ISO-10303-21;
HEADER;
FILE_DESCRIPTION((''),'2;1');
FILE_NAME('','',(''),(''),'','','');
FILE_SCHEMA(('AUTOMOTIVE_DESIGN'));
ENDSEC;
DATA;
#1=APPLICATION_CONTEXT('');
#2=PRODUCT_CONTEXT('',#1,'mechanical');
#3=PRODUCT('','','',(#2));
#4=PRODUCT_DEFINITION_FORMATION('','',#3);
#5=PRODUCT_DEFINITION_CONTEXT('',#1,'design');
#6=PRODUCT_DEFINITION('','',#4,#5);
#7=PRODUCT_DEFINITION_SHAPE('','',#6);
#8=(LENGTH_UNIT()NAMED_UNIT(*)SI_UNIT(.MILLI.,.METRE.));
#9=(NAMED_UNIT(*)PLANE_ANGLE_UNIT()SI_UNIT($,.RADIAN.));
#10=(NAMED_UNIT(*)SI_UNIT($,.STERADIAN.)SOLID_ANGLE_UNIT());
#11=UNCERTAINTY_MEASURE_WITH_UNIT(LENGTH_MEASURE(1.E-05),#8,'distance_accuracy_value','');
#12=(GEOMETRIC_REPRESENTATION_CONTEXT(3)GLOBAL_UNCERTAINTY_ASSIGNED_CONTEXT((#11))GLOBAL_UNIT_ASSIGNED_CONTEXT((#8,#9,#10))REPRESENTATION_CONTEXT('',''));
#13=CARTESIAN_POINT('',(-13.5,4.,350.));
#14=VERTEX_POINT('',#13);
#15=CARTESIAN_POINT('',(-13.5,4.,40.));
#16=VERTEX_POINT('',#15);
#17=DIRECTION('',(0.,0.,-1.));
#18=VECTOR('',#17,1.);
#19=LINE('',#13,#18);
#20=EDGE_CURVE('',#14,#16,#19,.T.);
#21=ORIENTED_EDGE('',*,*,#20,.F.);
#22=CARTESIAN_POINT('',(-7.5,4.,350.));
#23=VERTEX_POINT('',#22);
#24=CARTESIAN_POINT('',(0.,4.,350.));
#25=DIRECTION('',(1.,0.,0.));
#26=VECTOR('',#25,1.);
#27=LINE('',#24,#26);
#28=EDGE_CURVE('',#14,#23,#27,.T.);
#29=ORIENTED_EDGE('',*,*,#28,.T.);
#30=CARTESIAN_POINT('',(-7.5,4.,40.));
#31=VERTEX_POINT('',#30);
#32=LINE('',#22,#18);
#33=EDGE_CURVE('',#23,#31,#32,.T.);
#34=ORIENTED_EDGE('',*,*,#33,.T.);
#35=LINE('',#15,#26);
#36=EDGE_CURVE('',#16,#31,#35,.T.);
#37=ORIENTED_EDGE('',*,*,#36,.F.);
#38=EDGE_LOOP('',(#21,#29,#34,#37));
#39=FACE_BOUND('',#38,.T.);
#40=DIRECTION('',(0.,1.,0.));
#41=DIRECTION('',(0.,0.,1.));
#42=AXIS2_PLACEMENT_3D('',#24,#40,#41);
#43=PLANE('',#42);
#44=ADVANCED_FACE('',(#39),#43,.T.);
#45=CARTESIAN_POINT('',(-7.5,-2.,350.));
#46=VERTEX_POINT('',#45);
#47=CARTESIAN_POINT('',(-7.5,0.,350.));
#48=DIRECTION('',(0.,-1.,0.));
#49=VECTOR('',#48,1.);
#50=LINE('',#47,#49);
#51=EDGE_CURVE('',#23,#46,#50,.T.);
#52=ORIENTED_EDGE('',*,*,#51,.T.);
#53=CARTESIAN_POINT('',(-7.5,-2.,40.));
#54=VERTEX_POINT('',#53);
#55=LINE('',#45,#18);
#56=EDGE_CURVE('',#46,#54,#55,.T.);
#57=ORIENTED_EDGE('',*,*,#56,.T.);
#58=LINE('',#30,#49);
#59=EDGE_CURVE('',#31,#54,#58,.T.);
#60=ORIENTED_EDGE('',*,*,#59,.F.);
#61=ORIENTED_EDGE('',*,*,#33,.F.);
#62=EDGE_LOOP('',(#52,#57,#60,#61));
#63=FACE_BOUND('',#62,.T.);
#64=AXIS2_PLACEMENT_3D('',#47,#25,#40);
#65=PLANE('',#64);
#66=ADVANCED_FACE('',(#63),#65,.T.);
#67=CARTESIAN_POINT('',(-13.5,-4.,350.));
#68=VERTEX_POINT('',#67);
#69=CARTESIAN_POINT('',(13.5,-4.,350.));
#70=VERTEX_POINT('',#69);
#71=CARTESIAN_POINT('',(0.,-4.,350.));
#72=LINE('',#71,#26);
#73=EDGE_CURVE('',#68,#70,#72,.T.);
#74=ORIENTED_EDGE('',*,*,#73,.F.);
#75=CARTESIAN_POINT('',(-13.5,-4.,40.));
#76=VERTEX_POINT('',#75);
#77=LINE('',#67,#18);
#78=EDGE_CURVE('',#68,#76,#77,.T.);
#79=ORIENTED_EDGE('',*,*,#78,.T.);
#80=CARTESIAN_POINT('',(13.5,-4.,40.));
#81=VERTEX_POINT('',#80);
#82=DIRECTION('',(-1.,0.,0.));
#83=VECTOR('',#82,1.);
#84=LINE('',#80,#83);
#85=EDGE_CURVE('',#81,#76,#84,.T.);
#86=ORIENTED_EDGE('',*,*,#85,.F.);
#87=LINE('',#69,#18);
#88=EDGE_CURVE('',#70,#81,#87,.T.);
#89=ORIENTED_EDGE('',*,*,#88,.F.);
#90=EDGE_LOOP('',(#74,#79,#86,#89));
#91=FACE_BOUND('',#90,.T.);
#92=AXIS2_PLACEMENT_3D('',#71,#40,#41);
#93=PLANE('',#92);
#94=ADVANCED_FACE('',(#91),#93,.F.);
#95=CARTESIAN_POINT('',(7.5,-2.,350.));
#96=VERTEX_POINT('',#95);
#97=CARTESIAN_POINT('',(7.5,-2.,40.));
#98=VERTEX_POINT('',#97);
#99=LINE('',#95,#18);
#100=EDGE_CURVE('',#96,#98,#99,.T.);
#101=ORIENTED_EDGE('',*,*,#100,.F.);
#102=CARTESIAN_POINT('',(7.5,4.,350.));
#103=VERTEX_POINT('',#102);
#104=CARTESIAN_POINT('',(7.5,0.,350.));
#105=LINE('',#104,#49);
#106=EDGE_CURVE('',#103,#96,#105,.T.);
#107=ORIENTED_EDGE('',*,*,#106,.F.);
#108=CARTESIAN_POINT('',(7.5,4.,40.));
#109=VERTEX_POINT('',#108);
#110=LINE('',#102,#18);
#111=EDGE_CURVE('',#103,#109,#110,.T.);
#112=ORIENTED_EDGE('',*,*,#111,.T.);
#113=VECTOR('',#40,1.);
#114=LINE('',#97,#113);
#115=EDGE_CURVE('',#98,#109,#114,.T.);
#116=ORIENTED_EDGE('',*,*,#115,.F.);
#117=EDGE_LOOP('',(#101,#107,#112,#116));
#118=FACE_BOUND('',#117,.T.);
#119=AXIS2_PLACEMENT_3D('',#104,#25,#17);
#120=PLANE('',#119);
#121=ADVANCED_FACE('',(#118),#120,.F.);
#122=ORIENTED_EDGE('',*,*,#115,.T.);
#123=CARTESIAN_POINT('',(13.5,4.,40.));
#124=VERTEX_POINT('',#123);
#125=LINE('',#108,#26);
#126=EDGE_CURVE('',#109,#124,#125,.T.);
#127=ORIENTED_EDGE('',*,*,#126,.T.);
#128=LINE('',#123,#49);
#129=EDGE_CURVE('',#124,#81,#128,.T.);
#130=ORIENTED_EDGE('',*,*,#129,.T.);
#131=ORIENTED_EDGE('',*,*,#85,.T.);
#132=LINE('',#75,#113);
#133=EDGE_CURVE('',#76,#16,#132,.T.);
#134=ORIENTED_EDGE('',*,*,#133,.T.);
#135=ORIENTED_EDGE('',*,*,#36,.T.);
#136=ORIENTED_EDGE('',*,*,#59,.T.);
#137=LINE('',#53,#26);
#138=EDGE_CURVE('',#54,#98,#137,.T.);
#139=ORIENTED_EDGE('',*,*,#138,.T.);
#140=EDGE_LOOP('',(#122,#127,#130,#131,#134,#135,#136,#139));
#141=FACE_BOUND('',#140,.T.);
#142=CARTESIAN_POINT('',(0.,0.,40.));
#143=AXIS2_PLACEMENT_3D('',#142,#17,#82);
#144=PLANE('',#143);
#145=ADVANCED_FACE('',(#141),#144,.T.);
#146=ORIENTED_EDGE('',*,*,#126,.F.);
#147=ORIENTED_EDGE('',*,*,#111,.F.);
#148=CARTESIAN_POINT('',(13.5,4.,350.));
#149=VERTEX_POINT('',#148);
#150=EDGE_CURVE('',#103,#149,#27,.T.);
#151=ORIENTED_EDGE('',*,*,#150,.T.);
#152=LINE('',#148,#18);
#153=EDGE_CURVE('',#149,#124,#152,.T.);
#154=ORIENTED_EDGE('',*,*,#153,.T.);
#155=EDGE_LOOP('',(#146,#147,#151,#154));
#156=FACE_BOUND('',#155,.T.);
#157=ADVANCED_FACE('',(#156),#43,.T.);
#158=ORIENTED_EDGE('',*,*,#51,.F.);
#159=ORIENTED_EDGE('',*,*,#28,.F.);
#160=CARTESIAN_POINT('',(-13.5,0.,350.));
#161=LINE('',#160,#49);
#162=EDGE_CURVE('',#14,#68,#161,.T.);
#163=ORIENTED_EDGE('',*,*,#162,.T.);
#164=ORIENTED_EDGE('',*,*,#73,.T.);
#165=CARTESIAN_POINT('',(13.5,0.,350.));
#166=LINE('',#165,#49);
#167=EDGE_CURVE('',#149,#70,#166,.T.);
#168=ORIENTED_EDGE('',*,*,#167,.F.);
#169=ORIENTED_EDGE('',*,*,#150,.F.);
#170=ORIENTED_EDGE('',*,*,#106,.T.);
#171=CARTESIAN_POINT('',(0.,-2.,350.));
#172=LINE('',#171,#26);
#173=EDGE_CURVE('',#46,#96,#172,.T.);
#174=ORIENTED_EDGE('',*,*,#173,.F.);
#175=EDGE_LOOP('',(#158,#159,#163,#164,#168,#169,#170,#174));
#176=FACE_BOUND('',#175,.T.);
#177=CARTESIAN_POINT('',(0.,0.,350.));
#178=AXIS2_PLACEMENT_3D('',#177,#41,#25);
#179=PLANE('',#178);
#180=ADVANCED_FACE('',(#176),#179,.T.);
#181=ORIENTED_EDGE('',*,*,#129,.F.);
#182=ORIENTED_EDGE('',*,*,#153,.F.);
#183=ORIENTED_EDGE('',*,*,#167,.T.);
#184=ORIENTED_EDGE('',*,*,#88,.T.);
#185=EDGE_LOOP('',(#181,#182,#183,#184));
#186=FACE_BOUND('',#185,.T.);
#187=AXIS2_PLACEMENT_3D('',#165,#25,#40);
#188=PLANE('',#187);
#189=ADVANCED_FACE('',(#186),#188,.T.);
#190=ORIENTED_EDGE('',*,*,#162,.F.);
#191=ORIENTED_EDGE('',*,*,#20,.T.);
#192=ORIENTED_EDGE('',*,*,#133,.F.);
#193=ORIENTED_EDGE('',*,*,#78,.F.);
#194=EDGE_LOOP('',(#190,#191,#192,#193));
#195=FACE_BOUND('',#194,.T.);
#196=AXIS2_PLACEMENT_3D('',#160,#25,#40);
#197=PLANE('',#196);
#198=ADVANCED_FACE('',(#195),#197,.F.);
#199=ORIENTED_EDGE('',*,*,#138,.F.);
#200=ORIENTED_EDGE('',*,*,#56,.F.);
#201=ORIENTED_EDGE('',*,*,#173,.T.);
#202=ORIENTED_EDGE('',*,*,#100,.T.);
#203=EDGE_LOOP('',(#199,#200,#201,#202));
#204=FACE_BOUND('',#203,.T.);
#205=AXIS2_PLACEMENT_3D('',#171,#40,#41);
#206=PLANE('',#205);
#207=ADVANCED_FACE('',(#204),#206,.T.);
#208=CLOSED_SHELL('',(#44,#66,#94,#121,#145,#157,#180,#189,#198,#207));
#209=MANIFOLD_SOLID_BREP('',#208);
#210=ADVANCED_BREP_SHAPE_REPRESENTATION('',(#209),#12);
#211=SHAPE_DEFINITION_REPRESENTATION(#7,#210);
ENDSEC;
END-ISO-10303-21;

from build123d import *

# Parameters (mm, degrees)
BOSS_EXTRU_1_DEPTH = 350
CUT_EXTRUDE1_DEPTH = 40


with BuildPart() as part:
    # Esquisse1 → Boss.-Extru.1 (new body)
    with BuildSketch(Plane.XY):
        Polygon((-7.5, 4), (-13.5, 4), (-13.5, -4), (13.5, -4), (13.5, 4), (7.5, 4), (7.5, -2), (-7.5, -2), align=None)
    extrude(amount=BOSS_EXTRU_1_DEPTH)

    # Sketch1 → Cut-Extrude1 (cut)
    with BuildSketch(Plane(origin=(0, 0, 0), x_dir=(-1, 0, 0), z_dir=(0, 0, -1))):
        Polygon((-7.5, 4), (-13.5, 4), (-13.5, -4), (13.5, -4), (13.5, 4), (7.5, 4), (7.5, -2), (-7.5, -2), align=None)
    extrude(amount=-CUT_EXTRUDE1_DEPTH, mode=Mode.SUBTRACT)


solid = part.part
